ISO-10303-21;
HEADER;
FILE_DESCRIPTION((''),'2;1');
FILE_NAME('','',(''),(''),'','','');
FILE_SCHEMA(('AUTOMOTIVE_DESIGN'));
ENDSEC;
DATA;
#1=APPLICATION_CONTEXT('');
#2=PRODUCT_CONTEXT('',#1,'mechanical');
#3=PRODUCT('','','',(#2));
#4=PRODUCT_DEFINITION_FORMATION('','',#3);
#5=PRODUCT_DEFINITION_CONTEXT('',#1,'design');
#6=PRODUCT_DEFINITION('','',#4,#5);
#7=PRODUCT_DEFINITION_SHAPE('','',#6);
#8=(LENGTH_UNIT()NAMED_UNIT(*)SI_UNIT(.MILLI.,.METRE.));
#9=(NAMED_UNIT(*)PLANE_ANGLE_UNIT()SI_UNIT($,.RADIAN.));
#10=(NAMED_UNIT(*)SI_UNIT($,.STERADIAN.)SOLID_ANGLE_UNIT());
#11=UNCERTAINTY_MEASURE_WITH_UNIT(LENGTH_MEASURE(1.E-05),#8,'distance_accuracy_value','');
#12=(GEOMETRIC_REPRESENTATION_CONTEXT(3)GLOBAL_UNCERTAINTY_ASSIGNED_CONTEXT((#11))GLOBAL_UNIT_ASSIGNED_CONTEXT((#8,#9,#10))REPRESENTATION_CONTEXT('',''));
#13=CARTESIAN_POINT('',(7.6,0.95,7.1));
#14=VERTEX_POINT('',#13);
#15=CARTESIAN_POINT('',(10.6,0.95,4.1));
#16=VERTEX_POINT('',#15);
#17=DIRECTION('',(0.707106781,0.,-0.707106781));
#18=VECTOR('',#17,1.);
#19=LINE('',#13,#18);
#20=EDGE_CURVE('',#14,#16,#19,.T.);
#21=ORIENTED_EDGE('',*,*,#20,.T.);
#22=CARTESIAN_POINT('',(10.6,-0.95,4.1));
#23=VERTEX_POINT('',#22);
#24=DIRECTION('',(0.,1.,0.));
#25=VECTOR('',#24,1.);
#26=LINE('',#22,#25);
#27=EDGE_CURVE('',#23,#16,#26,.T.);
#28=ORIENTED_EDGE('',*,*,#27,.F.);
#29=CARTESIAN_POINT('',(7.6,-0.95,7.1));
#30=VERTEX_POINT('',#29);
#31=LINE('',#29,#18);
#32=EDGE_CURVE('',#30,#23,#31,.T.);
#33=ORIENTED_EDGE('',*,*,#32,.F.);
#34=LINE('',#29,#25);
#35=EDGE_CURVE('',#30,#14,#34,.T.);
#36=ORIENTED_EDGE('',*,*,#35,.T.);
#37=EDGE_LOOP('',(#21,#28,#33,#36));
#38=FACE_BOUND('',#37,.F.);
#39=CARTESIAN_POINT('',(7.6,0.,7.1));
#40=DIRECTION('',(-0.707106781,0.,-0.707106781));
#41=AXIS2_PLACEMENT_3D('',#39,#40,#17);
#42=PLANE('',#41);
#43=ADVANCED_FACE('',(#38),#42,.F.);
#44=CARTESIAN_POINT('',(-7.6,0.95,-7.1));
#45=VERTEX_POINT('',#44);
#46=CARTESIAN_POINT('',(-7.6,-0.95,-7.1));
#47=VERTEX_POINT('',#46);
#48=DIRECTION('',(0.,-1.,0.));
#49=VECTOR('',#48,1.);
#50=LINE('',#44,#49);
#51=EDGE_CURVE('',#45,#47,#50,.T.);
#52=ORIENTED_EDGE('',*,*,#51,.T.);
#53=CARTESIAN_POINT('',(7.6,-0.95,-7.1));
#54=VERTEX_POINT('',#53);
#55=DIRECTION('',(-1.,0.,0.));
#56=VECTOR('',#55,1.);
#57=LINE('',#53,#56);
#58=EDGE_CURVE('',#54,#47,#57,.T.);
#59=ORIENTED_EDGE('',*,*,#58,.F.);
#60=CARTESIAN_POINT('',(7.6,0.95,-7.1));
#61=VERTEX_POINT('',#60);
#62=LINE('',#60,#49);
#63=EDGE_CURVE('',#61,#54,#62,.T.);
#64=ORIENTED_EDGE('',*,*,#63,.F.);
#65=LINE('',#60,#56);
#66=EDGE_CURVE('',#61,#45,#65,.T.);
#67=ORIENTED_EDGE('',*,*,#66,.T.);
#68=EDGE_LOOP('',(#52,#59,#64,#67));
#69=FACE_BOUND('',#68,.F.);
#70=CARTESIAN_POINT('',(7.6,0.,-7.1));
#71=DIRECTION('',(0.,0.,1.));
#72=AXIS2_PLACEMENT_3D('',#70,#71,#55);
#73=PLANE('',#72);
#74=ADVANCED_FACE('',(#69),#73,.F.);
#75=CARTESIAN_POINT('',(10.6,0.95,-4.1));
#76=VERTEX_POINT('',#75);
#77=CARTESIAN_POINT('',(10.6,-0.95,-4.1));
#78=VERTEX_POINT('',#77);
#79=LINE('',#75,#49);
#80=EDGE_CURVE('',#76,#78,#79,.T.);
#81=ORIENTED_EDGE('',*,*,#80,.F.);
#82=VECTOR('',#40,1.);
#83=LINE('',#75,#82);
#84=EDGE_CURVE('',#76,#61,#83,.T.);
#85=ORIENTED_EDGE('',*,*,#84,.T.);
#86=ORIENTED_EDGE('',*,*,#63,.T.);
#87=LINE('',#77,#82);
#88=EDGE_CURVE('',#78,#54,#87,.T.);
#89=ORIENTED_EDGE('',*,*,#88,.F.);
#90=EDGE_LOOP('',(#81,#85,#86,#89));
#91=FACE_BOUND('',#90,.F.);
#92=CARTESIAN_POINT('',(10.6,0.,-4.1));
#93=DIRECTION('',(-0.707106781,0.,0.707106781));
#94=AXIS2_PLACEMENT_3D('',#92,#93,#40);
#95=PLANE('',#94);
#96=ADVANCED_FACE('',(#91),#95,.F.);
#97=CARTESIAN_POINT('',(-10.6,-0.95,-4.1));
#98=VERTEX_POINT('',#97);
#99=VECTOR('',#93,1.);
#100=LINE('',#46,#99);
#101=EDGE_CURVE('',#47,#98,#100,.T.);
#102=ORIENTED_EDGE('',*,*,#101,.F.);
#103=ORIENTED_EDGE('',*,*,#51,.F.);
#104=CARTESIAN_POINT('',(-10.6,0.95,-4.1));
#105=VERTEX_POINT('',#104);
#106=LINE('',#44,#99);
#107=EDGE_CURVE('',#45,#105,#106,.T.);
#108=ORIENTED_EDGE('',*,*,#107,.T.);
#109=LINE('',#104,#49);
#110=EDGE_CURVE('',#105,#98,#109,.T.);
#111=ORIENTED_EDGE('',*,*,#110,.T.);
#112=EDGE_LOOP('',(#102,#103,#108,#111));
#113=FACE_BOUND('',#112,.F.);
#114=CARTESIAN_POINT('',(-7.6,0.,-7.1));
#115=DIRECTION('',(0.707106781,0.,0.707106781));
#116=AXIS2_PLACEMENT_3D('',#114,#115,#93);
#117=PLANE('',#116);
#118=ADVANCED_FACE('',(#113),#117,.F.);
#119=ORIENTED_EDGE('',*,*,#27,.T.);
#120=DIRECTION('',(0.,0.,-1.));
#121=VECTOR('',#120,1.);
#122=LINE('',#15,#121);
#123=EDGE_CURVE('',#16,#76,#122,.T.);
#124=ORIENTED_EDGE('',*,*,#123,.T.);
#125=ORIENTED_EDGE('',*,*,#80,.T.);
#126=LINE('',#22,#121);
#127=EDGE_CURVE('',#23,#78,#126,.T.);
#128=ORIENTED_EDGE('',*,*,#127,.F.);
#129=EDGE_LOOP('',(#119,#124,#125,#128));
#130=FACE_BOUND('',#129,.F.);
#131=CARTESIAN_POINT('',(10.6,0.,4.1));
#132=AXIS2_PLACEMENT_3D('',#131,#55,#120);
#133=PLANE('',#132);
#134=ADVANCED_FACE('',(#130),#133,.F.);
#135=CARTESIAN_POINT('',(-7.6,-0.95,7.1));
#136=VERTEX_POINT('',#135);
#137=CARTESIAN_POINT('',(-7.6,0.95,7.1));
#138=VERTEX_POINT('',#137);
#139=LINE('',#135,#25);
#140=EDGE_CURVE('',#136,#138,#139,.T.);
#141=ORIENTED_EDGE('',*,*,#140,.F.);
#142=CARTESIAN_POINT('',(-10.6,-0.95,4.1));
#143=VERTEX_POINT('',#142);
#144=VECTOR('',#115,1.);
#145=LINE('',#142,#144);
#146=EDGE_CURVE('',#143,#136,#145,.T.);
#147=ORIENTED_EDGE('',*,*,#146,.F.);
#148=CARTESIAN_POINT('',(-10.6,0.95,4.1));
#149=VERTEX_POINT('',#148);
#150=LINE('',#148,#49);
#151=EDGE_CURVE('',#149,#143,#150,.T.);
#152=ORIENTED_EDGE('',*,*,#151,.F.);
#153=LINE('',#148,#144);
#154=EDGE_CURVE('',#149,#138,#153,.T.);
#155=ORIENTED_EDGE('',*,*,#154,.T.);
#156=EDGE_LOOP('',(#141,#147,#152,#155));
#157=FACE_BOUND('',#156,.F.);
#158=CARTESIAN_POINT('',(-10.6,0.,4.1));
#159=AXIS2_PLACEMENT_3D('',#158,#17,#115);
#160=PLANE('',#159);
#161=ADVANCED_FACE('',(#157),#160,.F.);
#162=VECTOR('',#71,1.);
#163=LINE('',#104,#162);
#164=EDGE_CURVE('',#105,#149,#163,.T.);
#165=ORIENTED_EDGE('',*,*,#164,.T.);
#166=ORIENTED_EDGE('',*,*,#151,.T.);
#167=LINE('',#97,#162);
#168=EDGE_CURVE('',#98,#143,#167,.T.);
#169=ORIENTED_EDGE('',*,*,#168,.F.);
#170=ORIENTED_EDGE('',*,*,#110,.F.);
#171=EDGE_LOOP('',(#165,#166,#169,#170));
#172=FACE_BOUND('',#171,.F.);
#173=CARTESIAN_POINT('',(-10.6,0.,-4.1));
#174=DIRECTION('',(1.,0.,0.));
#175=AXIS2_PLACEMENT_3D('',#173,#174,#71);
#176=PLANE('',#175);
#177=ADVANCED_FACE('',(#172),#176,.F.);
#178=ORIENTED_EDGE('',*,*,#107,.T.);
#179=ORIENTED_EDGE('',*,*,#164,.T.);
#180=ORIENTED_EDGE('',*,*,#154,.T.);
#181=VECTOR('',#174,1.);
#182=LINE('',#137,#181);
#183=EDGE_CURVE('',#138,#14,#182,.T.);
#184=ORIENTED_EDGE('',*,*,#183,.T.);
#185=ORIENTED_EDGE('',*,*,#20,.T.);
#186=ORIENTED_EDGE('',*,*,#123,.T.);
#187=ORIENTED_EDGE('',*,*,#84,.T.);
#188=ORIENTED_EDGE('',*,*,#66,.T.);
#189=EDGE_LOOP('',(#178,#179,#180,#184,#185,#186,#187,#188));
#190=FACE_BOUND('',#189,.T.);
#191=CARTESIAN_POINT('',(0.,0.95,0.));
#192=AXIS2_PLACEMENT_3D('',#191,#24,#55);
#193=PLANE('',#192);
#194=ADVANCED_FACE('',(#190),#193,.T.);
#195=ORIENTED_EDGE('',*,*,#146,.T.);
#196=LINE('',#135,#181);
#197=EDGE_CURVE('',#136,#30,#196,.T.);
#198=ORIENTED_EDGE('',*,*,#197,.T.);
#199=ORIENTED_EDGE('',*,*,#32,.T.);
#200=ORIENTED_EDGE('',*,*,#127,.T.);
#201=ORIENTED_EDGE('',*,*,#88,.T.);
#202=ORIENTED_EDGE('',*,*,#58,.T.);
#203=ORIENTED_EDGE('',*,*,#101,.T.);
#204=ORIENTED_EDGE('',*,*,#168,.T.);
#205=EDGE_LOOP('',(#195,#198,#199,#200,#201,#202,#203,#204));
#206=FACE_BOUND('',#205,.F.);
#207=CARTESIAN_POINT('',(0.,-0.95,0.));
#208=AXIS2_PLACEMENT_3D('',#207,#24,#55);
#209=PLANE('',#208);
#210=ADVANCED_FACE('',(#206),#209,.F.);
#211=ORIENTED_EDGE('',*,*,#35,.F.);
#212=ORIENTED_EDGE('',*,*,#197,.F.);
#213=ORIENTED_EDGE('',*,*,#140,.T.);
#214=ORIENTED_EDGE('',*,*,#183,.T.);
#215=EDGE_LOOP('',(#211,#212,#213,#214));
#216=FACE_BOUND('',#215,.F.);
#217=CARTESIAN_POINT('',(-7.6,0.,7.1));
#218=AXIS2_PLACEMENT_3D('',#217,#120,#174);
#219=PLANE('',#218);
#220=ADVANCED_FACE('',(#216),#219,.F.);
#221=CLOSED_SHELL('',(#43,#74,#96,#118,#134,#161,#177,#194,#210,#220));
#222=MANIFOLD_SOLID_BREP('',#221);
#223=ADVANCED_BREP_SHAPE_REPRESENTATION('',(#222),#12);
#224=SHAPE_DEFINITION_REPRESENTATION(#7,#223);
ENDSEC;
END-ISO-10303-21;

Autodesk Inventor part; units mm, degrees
ref_plane "YZ Plane" through (0, 0, 0) normal (1, 0, 0) x (0, 1, 0)
ref_plane "XZ Plane" through (0, 0, 0) normal (0, 1, 0) x (-1, 0, 0)
ref_plane "XY Plane" through (0, 0, 0) normal (0, 0, 1) x (1, 0, 0)
sketch "Sketch1" plane through (0, 0, 0) normal (0, 1, 0) x (-1, 0, 0)
  line L0 (7.6, 7.1) -> (-7.6, 7.1)
  line L1 (-10.6, 4.1) -> (-10.6, -4.1)
  line L2 (-7.6, -7.1) -> (7.6, -7.1)
  line L3 (10.6, -4.1) -> (10.6, 4.1)
  line L4 (10.6, 7.1) -> (-10.6, -7.1) construction
  line L5 (-10.6, 7.1) -> (10.6, -7.1) construction
  line L6 (7.6, -7.1) -> (10.6, -4.1)
  line L7 (10.6, 4.1) -> (7.6, 7.1)
  line L8 (-7.6, 7.1) -> (-10.6, 4.1)
  line L9 (-10.6, -4.1) -> (-7.6, -7.1)
  point P0 (0, 0)
  dimension "d0" = 21.2
  dimension "d1" = 14.2
  dimension "d2" = 3
  dimension "d3" = 3
  dimension "d12" = 20.7889
extrude "Extrusion1" add sketch "Sketch1" along normal mid plane 1.9
equation "\"d0\" = CouncilCMWidth"
equation "\"d1\" = CouncilCMHeight"
equation "\"d2\" = CouncilCMChamfer"
equation "\"d3\" = d2"
equation "\"CouncilCMWidth\" = 21.2"
equation "\"CouncilCMHeight\" = 14.2"
equation "\"CouncilCMChamfer\" = 3"
properties part number "FactionSpecial_Council_ControlMarker_Single" material "ABS Plastic"
